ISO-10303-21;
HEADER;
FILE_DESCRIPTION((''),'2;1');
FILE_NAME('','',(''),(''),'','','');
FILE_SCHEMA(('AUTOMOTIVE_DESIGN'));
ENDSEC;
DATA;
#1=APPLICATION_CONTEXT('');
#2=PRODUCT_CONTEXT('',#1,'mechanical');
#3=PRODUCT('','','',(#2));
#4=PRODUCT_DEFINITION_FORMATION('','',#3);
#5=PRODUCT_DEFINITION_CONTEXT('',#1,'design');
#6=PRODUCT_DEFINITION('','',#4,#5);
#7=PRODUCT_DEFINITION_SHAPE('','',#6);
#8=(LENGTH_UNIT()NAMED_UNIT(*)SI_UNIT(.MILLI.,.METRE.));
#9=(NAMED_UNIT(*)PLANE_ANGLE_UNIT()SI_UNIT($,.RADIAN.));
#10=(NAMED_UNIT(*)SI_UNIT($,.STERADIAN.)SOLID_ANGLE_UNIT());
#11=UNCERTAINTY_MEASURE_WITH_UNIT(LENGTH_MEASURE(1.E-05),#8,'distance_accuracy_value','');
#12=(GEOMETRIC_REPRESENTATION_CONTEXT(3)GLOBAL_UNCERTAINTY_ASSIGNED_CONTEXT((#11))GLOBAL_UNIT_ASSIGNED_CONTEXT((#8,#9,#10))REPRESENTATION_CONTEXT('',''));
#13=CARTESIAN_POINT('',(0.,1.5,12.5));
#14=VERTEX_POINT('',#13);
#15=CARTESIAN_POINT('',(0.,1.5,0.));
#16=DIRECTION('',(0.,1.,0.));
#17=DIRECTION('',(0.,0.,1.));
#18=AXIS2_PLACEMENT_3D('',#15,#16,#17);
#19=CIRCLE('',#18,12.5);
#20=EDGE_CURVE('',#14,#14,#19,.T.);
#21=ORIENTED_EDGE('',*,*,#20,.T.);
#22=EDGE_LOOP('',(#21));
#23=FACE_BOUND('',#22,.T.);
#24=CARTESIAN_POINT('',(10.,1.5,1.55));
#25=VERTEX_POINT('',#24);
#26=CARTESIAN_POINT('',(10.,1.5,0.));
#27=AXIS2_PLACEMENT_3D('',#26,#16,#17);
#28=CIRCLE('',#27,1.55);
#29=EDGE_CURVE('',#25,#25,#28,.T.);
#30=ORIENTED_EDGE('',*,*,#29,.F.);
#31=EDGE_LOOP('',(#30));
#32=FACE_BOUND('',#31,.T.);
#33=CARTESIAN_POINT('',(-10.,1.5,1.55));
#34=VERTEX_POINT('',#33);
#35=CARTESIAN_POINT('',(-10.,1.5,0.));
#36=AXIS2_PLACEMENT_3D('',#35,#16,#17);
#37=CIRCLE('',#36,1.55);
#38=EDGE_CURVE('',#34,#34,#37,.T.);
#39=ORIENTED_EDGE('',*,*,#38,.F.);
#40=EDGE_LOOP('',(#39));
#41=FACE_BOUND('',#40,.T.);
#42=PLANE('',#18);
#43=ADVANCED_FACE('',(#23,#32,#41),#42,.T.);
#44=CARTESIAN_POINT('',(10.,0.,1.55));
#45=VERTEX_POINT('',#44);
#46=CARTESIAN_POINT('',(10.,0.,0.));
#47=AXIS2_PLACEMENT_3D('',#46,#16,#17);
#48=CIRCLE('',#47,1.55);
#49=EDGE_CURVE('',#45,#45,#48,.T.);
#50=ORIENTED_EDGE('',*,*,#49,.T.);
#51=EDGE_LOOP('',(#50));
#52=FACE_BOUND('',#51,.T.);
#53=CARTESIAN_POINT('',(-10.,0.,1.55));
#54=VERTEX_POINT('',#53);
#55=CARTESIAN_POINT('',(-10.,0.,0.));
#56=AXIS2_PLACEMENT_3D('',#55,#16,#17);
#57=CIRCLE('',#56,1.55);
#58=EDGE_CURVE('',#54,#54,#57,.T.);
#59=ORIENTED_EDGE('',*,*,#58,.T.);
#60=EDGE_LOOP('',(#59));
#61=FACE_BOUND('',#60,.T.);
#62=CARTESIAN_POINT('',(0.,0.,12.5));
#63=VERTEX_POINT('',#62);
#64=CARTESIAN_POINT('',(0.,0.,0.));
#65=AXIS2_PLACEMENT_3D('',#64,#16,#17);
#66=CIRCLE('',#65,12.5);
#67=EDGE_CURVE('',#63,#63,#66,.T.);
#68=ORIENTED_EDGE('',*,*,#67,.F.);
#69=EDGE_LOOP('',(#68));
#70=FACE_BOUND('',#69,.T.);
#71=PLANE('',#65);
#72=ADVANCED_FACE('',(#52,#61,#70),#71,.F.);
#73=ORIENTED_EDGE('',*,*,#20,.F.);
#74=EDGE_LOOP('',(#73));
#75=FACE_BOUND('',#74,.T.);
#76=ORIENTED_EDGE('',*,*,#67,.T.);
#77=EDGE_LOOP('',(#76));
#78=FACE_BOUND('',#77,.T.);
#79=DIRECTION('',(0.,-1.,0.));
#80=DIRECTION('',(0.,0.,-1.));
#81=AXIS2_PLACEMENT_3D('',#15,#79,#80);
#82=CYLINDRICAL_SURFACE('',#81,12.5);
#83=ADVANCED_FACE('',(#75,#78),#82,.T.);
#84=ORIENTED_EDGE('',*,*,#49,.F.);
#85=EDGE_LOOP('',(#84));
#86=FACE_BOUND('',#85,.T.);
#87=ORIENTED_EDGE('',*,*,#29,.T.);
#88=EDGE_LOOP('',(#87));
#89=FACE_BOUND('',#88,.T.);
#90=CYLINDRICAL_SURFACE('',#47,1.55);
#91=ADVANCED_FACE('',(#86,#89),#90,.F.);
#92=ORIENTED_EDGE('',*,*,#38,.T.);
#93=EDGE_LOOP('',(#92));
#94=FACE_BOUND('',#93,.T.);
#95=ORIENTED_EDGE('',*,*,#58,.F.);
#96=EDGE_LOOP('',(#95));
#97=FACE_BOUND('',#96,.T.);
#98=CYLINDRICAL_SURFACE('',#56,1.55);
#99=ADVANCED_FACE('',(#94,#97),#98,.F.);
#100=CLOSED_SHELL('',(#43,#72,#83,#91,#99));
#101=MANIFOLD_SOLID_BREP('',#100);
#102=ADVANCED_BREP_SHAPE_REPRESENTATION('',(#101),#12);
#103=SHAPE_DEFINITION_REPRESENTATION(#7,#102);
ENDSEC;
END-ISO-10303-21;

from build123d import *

# Parameters (mm, degrees)
SKETCH_1_R          = 12.5
EXTRUDE_1_DEPTH     = 1.5
SKETCH_2_R          = 1.55
CUT_EXTRUDE_1_DEPTH = 18.741194999


with BuildPart() as part:
    # Эскиз1 → Бобышка-Вытянуть1 (new body)
    with BuildSketch(Plane(origin=(0, 0, 0), x_dir=(1, 0, 0), z_dir=(0, 1, 0))):
        with Locations(Location((0, 0, 0), (0, 0, 270))):
            Circle(SKETCH_1_R)
    extrude(amount=EXTRUDE_1_DEPTH)

    # Эскиз2 → Вырез-Вытянуть1 (cut, through all)
    with BuildSketch(Plane(origin=(0, 1.5, 0), x_dir=(1, 0, 0), z_dir=(0, 1, 0))):
        with Locations(Location((10, 0, 0), (0, 0, 270))):
            Circle(SKETCH_2_R)
        with Locations(Location((-10, 0, 0), (0, 0, 270))):
            Circle(SKETCH_2_R)
    extrude(amount=-CUT_EXTRUDE_1_DEPTH, mode=Mode.SUBTRACT)


solid = part.part
